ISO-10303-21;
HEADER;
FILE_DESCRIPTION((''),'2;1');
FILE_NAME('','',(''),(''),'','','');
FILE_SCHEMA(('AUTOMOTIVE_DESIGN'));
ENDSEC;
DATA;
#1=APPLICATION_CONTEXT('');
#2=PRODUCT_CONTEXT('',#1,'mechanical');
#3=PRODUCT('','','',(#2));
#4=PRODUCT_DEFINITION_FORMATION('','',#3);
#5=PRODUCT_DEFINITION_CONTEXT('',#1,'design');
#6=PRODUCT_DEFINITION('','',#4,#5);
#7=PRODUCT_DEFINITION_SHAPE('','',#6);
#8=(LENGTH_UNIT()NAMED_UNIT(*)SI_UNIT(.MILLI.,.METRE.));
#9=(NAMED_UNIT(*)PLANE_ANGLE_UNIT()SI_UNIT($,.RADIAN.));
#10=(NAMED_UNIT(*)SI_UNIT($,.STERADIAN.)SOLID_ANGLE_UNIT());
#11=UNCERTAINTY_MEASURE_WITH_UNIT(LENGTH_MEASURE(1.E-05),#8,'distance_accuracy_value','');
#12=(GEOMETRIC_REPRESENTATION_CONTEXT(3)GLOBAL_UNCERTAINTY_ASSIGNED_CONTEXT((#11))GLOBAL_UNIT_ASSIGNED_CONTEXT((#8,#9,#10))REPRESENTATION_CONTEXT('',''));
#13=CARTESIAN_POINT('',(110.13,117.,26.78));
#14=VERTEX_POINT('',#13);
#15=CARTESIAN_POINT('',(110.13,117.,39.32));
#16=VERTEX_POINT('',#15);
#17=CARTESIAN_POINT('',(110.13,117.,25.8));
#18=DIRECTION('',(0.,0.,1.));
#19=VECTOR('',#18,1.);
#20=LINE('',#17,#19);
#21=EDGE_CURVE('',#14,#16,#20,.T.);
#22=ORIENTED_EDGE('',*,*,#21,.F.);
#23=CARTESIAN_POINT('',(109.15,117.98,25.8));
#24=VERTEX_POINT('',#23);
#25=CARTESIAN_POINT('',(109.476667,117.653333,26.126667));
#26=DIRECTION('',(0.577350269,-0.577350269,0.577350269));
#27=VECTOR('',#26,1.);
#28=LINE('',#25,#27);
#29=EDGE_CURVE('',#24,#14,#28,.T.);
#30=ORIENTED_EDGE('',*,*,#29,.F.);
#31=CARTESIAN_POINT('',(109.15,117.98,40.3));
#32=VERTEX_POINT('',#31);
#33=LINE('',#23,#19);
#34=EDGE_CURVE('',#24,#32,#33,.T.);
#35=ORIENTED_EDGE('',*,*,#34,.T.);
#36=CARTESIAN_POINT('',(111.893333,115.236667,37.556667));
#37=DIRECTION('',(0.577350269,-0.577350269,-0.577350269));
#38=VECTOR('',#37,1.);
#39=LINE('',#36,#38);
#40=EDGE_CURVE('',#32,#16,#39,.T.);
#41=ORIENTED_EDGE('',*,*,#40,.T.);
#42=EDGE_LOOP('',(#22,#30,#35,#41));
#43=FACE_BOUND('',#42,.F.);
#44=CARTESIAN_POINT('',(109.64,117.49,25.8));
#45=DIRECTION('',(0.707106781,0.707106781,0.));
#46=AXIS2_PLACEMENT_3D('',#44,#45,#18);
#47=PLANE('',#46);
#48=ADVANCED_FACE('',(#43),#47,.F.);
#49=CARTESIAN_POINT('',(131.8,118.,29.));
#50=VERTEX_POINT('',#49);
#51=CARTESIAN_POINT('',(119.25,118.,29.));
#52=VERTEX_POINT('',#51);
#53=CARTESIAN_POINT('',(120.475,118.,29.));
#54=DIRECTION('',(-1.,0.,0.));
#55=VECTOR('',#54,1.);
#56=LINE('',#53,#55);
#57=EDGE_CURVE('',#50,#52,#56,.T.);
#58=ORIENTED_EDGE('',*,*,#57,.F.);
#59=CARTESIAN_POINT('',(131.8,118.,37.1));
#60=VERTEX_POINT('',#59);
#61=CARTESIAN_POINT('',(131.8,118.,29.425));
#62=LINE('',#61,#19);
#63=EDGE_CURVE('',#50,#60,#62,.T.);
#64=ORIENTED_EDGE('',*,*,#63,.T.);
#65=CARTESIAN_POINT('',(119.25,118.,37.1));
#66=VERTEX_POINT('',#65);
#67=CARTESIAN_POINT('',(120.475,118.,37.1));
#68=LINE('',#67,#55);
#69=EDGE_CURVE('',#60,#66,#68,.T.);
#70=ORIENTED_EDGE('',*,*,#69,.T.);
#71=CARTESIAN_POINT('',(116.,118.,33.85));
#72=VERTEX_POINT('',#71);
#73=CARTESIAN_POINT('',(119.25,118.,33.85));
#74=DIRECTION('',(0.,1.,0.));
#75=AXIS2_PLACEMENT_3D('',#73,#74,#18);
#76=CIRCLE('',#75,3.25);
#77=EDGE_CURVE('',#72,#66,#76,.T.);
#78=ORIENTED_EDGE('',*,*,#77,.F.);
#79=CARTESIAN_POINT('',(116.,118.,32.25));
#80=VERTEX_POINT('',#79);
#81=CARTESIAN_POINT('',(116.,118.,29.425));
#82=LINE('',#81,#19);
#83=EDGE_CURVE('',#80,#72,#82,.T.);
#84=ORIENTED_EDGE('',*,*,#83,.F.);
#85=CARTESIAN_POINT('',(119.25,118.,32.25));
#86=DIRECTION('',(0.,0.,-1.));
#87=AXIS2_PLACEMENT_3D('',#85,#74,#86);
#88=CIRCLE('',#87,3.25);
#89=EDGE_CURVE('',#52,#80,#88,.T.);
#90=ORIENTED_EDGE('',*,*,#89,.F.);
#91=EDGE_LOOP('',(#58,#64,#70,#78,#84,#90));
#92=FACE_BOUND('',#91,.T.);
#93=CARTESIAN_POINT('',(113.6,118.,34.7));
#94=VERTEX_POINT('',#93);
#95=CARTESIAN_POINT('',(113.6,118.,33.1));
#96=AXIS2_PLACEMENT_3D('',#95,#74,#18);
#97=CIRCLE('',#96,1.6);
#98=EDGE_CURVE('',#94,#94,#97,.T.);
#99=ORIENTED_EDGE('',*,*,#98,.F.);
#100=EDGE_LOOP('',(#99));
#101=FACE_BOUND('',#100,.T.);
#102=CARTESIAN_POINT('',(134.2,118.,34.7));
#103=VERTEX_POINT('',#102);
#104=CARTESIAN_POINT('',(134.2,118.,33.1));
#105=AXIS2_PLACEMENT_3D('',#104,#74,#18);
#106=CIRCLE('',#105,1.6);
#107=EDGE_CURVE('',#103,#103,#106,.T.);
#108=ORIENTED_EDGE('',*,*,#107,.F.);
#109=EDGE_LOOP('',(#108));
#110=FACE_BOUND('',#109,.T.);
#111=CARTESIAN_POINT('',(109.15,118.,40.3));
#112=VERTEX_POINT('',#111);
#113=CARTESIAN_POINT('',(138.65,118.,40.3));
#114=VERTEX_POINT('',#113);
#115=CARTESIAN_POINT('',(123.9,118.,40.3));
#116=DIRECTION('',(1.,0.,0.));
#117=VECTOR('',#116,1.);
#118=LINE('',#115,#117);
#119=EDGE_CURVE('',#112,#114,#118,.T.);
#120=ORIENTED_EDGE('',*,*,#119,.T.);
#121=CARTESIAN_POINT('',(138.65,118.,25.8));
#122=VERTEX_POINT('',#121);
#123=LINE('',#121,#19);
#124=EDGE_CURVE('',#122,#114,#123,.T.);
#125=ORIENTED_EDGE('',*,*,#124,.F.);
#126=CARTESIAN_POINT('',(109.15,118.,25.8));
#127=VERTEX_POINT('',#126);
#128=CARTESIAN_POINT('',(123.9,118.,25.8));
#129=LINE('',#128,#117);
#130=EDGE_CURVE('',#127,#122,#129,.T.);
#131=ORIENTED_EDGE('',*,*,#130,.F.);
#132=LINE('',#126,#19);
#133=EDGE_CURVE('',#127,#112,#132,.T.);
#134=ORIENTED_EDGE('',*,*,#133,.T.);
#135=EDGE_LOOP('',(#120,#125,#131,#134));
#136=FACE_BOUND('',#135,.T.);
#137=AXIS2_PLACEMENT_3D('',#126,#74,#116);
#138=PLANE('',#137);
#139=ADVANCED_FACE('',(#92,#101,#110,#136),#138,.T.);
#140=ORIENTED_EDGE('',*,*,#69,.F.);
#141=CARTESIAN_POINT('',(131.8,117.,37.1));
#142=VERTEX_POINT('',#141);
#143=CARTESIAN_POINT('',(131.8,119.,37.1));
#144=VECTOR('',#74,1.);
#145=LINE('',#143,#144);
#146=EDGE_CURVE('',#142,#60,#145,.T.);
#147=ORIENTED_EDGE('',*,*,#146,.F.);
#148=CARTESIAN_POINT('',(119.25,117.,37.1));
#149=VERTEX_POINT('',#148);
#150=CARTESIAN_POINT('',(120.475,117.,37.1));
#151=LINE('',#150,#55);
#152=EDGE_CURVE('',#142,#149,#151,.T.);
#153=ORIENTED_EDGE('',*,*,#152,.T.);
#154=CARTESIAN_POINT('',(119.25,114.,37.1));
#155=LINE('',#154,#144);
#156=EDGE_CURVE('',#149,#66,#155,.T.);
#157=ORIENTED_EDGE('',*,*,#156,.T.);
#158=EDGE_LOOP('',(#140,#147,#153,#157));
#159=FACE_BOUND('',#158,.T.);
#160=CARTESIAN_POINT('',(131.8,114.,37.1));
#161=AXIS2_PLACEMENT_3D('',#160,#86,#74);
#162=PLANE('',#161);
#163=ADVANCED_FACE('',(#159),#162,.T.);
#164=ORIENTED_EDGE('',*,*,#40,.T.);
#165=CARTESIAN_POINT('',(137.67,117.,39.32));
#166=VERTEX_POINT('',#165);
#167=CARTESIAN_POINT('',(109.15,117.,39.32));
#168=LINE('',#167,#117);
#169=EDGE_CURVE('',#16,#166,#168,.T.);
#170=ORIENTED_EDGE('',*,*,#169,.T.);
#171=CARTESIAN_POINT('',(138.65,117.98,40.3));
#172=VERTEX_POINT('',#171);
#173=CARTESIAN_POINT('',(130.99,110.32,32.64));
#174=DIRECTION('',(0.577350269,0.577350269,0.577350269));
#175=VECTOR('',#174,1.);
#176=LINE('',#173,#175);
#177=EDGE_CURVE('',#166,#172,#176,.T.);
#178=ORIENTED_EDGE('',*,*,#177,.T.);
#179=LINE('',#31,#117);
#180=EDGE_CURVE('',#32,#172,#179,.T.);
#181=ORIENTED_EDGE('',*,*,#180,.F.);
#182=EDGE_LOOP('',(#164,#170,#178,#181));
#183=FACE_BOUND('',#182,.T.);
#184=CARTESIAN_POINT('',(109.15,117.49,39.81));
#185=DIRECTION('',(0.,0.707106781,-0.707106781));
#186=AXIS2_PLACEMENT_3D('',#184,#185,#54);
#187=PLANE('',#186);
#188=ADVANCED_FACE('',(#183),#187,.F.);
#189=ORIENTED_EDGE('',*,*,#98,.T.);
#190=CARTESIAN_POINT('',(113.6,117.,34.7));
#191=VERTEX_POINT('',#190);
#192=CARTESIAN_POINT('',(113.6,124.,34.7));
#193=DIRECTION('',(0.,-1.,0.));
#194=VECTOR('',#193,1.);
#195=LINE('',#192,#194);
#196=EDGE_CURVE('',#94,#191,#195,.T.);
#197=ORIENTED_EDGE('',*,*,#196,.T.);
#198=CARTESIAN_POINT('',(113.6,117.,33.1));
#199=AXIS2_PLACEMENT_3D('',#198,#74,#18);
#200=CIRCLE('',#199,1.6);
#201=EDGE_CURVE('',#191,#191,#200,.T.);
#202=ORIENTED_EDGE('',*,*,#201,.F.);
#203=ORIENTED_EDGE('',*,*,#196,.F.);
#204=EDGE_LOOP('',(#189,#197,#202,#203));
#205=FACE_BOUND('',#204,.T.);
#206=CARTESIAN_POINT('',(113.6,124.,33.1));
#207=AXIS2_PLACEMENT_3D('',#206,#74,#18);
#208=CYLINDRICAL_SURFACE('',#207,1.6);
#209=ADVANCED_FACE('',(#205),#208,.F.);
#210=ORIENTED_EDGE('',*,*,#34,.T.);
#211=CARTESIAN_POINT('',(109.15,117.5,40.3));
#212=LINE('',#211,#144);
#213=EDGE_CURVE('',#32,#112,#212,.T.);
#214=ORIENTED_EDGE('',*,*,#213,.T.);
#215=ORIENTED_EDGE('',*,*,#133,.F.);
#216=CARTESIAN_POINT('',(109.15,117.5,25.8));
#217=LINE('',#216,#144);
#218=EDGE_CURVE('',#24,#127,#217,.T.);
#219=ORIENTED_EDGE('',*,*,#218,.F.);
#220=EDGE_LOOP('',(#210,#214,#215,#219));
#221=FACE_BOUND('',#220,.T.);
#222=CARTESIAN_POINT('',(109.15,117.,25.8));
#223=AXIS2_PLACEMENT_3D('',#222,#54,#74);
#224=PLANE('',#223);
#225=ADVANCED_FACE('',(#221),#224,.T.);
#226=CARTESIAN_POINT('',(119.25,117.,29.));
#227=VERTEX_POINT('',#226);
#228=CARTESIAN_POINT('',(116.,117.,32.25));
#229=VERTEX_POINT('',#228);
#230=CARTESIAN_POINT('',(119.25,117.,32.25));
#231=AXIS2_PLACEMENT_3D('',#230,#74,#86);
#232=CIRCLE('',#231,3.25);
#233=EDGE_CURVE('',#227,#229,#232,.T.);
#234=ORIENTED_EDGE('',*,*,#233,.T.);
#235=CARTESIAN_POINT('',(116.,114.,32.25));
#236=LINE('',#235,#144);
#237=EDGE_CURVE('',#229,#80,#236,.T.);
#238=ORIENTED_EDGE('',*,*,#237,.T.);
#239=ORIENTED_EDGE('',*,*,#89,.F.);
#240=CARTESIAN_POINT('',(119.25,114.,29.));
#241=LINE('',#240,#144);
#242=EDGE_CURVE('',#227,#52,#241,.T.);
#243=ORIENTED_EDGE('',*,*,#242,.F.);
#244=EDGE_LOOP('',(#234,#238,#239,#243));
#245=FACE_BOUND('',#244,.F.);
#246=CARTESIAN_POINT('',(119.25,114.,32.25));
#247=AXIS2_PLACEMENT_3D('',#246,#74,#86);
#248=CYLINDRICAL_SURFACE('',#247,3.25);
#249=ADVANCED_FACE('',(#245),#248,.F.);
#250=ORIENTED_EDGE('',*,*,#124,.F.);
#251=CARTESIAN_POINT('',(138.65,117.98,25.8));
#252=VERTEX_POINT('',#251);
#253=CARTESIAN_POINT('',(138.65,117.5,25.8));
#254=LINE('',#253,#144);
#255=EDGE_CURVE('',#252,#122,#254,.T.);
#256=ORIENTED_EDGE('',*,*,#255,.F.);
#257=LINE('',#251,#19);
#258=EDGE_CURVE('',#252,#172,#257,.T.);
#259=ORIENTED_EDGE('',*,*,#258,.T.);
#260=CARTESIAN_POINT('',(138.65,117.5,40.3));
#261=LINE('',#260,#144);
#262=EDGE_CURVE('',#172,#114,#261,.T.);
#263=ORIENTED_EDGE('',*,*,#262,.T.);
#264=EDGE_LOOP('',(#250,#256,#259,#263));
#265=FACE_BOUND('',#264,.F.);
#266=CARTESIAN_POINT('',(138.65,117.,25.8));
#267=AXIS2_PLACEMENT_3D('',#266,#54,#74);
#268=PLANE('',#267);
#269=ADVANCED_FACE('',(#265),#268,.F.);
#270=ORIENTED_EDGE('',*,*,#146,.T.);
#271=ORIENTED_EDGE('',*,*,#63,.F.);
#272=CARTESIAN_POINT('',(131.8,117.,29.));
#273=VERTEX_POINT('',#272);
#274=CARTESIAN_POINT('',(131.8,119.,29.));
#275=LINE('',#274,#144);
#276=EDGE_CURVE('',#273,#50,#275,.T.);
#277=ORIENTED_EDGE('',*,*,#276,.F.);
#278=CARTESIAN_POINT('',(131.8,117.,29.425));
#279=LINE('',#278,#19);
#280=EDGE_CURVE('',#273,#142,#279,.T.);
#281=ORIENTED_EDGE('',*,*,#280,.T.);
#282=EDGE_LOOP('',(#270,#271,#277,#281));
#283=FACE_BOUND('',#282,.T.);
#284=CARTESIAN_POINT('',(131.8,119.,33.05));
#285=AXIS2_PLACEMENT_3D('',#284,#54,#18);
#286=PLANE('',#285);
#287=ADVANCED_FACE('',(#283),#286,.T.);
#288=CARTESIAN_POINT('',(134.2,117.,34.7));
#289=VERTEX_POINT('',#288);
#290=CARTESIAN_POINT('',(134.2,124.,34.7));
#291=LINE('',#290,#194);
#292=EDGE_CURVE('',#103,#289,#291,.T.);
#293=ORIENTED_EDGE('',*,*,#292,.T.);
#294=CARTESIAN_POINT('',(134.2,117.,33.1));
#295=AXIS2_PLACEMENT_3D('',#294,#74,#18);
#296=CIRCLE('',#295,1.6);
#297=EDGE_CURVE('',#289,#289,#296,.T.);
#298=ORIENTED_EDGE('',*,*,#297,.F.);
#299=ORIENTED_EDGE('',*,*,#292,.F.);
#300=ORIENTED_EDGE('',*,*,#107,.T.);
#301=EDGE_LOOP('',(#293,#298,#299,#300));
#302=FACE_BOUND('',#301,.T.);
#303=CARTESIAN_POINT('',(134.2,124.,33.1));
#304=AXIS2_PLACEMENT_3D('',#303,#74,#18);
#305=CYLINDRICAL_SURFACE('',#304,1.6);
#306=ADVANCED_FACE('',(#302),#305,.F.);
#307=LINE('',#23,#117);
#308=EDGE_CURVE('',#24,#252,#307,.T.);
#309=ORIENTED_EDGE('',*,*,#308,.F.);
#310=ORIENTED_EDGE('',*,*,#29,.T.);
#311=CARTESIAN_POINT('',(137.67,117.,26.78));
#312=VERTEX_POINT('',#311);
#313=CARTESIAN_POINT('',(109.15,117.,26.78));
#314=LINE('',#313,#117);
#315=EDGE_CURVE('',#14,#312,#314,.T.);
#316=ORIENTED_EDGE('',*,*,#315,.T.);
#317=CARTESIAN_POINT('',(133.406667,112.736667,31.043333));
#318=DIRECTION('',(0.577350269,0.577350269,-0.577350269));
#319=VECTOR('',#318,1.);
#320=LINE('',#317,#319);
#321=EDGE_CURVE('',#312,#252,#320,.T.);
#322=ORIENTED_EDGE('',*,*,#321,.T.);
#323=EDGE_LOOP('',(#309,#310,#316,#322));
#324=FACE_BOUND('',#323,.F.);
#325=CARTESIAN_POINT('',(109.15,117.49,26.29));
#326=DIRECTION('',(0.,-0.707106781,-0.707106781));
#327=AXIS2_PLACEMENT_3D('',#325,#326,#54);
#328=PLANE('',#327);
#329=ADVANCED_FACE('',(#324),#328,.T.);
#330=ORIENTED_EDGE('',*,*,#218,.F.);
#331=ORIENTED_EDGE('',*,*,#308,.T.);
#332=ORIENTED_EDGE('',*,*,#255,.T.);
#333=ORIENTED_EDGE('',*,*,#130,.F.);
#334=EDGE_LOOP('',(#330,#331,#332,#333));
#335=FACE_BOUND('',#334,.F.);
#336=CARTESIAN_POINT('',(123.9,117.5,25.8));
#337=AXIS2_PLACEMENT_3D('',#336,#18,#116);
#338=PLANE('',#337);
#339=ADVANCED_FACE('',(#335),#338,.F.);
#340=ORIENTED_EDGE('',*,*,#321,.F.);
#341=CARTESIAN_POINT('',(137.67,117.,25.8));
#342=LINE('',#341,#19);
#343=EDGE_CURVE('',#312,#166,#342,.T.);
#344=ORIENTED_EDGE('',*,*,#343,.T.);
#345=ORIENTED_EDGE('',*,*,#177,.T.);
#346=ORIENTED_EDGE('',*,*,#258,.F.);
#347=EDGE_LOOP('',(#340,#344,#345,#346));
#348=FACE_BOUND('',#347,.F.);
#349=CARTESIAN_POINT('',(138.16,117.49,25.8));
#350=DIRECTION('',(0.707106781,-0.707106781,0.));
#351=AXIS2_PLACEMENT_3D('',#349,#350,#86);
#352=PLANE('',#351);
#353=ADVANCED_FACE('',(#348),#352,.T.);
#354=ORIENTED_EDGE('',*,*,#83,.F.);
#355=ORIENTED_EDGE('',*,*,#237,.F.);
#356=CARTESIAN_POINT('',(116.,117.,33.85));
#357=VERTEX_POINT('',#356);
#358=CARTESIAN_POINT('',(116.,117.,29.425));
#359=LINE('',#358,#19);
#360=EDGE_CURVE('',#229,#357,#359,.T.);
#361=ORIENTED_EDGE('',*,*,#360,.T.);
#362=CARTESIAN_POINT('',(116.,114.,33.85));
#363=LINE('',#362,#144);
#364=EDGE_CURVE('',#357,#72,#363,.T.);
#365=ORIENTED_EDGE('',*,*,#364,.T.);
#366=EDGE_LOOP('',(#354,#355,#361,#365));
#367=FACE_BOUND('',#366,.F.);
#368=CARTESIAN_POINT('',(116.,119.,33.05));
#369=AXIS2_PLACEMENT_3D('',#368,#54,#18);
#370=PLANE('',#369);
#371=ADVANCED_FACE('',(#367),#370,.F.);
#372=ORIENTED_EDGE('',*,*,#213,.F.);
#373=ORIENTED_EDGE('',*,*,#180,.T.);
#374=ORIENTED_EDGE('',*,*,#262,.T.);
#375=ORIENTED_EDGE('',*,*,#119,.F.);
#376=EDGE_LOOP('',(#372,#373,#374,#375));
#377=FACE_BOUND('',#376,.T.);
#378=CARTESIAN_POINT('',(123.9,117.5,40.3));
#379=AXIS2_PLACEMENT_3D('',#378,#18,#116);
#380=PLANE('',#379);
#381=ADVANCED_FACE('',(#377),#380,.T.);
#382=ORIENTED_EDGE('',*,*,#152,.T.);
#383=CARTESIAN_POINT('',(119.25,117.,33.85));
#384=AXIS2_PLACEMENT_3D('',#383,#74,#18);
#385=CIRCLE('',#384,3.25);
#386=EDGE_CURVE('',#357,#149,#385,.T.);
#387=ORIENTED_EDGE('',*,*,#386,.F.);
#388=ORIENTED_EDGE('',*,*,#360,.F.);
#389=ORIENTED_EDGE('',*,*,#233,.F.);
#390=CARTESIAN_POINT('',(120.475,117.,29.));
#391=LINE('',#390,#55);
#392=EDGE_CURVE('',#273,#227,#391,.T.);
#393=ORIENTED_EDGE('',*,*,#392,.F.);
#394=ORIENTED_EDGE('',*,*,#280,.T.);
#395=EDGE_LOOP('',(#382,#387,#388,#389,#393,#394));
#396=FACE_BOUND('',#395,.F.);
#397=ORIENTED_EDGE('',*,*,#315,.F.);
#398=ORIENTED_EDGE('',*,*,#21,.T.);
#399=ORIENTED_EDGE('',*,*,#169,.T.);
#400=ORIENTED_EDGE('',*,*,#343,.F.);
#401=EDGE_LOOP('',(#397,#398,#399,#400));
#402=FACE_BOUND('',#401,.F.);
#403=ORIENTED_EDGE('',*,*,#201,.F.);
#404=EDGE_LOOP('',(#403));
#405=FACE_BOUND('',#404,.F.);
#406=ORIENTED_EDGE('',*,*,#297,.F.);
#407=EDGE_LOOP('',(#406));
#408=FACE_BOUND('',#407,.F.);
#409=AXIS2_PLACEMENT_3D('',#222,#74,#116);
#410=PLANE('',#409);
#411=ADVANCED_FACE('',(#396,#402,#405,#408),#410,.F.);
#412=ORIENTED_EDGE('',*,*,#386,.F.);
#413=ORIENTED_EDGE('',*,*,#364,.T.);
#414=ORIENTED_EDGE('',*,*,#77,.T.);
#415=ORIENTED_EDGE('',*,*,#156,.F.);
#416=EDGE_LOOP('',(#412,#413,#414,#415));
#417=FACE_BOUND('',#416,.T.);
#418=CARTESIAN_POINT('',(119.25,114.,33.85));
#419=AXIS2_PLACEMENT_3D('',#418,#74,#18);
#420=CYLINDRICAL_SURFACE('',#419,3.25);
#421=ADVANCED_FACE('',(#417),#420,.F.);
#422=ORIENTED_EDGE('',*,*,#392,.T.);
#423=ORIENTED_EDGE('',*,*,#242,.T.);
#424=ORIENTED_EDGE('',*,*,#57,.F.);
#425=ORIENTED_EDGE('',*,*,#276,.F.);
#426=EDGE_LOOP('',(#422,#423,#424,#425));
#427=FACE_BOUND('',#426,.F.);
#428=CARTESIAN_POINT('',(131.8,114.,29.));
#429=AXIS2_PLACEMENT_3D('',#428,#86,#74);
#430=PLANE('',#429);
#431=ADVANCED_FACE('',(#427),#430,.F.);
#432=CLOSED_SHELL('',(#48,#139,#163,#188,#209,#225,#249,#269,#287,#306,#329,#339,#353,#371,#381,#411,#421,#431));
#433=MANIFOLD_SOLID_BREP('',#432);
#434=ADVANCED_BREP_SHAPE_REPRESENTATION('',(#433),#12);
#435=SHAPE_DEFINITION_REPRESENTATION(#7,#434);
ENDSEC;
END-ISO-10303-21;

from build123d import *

# Parameters (mm, degrees)
BOX085084_W                                                = 8.1
BOX085084_H                                                = 10
BOX085084_DEPTH                                            = 15.8
FILLET005011017044_R                                       = 3.25
CYLINDER053_R                                              = 1.6
CYLINDER053_DEPTH                                          = 10
CYLINDER054_R                                              = 1.6
CYLINDER054_DEPTH                                          = 10
FUSION004008002002002001007002002026012008_PLACEMENT_ANGLE = 90
BOX085130_W                                                = 29.5
BOX085130_H                                                = 1
BOX085130_DEPTH                                            = 14.5
CHAMFER011006003017049_SIZE                                = 0.98


with BuildPart() as fillet005011017044:
    # Box085084 → Box085084 (new body)
    with BuildSketch(Plane(origin=(15.9, 118, 17.9), x_dir=(1, 0, 0), z_dir=(0, 0, 1))):
        with Locations((4.05, 5)):
            Rectangle(BOX085084_W, BOX085084_H)
    extrude(amount=BOX085084_DEPTH)

    # Fillet005011017044
    fillet005011017044_edges = [fillet005011017044.edges().sort_by_distance(p)[0] for p in [
        (15.9, 123, 33.7),
        (24, 123, 33.7),
    ]]
    fillet(fillet005011017044_edges, radius=FILLET005011017044_R)


with BuildPart() as cylinder053:
    # Cylinder053 → Cylinder053 (new body)
    with BuildSketch(Plane(origin=(20, 128, 15.5), x_dir=(1, 0, 0), z_dir=(0, -1, 0))):
        Circle(CYLINDER053_R)
    extrude(amount=CYLINDER053_DEPTH)


with BuildPart() as xt60e_m_holes:
    # Cylinder054 → Cylinder054 (new body)
    with BuildSketch(Plane(origin=(20, 128, 36.1), x_dir=(1, 0, 0), z_dir=(0, -1, 0))):
        Circle(CYLINDER054_R)
    extrude(amount=CYLINDER054_DEPTH)

    # Fusion004008002002002001007002002026012008: union Fillet005011017044, Cylinder053
    add(fillet005011017044.part)
    add(cylinder053.part)


with BuildPart() as xt60e_m_holes_1:
    # Fusion004008002002002001007002002026012008 placement: moved
    add(xt60e_m_holes.part.moved(Location((149.7, -4, 13.1))).rotate(Axis((149.7, -4, 13.1), (0, -1, 0)), FUSION004008002002002001007002002026012008_PLACEMENT_ANGLE))


with BuildPart() as cut001002016041:
    # Box085130 → Box085130 (new body)
    with BuildSketch(Plane(origin=(113.15, 117, 27.8), x_dir=(1, 0, 0), z_dir=(0, 0, 1))):
        with Locations((14.75, 0.5)):
            Rectangle(BOX085130_W, BOX085130_H)
    extrude(amount=BOX085130_DEPTH)

    # Chamfer011006003017049
    chamfer011006003017049_edges = [cut001002016041.edges().sort_by_distance(p)[0] for p in [
        (113.15, 117, 35.05),
        (142.65, 117, 35.05),
        (127.9, 117, 27.8),
        (127.9, 117, 42.3),
    ]]
    chamfer(chamfer011006003017049_edges, length=CHAMFER011006003017049_SIZE)


with BuildPart() as cut001002016041_1:
    # Chamfer011006003017049 placement: moved
    add(cut001002016041.part.moved(Location((-4, 0, -2))))

    # Cut001002016041: cut XT60E-M Holes
    add(xt60e_m_holes_1.part, mode=Mode.SUBTRACT)


solid = cut001002016041_1.part
